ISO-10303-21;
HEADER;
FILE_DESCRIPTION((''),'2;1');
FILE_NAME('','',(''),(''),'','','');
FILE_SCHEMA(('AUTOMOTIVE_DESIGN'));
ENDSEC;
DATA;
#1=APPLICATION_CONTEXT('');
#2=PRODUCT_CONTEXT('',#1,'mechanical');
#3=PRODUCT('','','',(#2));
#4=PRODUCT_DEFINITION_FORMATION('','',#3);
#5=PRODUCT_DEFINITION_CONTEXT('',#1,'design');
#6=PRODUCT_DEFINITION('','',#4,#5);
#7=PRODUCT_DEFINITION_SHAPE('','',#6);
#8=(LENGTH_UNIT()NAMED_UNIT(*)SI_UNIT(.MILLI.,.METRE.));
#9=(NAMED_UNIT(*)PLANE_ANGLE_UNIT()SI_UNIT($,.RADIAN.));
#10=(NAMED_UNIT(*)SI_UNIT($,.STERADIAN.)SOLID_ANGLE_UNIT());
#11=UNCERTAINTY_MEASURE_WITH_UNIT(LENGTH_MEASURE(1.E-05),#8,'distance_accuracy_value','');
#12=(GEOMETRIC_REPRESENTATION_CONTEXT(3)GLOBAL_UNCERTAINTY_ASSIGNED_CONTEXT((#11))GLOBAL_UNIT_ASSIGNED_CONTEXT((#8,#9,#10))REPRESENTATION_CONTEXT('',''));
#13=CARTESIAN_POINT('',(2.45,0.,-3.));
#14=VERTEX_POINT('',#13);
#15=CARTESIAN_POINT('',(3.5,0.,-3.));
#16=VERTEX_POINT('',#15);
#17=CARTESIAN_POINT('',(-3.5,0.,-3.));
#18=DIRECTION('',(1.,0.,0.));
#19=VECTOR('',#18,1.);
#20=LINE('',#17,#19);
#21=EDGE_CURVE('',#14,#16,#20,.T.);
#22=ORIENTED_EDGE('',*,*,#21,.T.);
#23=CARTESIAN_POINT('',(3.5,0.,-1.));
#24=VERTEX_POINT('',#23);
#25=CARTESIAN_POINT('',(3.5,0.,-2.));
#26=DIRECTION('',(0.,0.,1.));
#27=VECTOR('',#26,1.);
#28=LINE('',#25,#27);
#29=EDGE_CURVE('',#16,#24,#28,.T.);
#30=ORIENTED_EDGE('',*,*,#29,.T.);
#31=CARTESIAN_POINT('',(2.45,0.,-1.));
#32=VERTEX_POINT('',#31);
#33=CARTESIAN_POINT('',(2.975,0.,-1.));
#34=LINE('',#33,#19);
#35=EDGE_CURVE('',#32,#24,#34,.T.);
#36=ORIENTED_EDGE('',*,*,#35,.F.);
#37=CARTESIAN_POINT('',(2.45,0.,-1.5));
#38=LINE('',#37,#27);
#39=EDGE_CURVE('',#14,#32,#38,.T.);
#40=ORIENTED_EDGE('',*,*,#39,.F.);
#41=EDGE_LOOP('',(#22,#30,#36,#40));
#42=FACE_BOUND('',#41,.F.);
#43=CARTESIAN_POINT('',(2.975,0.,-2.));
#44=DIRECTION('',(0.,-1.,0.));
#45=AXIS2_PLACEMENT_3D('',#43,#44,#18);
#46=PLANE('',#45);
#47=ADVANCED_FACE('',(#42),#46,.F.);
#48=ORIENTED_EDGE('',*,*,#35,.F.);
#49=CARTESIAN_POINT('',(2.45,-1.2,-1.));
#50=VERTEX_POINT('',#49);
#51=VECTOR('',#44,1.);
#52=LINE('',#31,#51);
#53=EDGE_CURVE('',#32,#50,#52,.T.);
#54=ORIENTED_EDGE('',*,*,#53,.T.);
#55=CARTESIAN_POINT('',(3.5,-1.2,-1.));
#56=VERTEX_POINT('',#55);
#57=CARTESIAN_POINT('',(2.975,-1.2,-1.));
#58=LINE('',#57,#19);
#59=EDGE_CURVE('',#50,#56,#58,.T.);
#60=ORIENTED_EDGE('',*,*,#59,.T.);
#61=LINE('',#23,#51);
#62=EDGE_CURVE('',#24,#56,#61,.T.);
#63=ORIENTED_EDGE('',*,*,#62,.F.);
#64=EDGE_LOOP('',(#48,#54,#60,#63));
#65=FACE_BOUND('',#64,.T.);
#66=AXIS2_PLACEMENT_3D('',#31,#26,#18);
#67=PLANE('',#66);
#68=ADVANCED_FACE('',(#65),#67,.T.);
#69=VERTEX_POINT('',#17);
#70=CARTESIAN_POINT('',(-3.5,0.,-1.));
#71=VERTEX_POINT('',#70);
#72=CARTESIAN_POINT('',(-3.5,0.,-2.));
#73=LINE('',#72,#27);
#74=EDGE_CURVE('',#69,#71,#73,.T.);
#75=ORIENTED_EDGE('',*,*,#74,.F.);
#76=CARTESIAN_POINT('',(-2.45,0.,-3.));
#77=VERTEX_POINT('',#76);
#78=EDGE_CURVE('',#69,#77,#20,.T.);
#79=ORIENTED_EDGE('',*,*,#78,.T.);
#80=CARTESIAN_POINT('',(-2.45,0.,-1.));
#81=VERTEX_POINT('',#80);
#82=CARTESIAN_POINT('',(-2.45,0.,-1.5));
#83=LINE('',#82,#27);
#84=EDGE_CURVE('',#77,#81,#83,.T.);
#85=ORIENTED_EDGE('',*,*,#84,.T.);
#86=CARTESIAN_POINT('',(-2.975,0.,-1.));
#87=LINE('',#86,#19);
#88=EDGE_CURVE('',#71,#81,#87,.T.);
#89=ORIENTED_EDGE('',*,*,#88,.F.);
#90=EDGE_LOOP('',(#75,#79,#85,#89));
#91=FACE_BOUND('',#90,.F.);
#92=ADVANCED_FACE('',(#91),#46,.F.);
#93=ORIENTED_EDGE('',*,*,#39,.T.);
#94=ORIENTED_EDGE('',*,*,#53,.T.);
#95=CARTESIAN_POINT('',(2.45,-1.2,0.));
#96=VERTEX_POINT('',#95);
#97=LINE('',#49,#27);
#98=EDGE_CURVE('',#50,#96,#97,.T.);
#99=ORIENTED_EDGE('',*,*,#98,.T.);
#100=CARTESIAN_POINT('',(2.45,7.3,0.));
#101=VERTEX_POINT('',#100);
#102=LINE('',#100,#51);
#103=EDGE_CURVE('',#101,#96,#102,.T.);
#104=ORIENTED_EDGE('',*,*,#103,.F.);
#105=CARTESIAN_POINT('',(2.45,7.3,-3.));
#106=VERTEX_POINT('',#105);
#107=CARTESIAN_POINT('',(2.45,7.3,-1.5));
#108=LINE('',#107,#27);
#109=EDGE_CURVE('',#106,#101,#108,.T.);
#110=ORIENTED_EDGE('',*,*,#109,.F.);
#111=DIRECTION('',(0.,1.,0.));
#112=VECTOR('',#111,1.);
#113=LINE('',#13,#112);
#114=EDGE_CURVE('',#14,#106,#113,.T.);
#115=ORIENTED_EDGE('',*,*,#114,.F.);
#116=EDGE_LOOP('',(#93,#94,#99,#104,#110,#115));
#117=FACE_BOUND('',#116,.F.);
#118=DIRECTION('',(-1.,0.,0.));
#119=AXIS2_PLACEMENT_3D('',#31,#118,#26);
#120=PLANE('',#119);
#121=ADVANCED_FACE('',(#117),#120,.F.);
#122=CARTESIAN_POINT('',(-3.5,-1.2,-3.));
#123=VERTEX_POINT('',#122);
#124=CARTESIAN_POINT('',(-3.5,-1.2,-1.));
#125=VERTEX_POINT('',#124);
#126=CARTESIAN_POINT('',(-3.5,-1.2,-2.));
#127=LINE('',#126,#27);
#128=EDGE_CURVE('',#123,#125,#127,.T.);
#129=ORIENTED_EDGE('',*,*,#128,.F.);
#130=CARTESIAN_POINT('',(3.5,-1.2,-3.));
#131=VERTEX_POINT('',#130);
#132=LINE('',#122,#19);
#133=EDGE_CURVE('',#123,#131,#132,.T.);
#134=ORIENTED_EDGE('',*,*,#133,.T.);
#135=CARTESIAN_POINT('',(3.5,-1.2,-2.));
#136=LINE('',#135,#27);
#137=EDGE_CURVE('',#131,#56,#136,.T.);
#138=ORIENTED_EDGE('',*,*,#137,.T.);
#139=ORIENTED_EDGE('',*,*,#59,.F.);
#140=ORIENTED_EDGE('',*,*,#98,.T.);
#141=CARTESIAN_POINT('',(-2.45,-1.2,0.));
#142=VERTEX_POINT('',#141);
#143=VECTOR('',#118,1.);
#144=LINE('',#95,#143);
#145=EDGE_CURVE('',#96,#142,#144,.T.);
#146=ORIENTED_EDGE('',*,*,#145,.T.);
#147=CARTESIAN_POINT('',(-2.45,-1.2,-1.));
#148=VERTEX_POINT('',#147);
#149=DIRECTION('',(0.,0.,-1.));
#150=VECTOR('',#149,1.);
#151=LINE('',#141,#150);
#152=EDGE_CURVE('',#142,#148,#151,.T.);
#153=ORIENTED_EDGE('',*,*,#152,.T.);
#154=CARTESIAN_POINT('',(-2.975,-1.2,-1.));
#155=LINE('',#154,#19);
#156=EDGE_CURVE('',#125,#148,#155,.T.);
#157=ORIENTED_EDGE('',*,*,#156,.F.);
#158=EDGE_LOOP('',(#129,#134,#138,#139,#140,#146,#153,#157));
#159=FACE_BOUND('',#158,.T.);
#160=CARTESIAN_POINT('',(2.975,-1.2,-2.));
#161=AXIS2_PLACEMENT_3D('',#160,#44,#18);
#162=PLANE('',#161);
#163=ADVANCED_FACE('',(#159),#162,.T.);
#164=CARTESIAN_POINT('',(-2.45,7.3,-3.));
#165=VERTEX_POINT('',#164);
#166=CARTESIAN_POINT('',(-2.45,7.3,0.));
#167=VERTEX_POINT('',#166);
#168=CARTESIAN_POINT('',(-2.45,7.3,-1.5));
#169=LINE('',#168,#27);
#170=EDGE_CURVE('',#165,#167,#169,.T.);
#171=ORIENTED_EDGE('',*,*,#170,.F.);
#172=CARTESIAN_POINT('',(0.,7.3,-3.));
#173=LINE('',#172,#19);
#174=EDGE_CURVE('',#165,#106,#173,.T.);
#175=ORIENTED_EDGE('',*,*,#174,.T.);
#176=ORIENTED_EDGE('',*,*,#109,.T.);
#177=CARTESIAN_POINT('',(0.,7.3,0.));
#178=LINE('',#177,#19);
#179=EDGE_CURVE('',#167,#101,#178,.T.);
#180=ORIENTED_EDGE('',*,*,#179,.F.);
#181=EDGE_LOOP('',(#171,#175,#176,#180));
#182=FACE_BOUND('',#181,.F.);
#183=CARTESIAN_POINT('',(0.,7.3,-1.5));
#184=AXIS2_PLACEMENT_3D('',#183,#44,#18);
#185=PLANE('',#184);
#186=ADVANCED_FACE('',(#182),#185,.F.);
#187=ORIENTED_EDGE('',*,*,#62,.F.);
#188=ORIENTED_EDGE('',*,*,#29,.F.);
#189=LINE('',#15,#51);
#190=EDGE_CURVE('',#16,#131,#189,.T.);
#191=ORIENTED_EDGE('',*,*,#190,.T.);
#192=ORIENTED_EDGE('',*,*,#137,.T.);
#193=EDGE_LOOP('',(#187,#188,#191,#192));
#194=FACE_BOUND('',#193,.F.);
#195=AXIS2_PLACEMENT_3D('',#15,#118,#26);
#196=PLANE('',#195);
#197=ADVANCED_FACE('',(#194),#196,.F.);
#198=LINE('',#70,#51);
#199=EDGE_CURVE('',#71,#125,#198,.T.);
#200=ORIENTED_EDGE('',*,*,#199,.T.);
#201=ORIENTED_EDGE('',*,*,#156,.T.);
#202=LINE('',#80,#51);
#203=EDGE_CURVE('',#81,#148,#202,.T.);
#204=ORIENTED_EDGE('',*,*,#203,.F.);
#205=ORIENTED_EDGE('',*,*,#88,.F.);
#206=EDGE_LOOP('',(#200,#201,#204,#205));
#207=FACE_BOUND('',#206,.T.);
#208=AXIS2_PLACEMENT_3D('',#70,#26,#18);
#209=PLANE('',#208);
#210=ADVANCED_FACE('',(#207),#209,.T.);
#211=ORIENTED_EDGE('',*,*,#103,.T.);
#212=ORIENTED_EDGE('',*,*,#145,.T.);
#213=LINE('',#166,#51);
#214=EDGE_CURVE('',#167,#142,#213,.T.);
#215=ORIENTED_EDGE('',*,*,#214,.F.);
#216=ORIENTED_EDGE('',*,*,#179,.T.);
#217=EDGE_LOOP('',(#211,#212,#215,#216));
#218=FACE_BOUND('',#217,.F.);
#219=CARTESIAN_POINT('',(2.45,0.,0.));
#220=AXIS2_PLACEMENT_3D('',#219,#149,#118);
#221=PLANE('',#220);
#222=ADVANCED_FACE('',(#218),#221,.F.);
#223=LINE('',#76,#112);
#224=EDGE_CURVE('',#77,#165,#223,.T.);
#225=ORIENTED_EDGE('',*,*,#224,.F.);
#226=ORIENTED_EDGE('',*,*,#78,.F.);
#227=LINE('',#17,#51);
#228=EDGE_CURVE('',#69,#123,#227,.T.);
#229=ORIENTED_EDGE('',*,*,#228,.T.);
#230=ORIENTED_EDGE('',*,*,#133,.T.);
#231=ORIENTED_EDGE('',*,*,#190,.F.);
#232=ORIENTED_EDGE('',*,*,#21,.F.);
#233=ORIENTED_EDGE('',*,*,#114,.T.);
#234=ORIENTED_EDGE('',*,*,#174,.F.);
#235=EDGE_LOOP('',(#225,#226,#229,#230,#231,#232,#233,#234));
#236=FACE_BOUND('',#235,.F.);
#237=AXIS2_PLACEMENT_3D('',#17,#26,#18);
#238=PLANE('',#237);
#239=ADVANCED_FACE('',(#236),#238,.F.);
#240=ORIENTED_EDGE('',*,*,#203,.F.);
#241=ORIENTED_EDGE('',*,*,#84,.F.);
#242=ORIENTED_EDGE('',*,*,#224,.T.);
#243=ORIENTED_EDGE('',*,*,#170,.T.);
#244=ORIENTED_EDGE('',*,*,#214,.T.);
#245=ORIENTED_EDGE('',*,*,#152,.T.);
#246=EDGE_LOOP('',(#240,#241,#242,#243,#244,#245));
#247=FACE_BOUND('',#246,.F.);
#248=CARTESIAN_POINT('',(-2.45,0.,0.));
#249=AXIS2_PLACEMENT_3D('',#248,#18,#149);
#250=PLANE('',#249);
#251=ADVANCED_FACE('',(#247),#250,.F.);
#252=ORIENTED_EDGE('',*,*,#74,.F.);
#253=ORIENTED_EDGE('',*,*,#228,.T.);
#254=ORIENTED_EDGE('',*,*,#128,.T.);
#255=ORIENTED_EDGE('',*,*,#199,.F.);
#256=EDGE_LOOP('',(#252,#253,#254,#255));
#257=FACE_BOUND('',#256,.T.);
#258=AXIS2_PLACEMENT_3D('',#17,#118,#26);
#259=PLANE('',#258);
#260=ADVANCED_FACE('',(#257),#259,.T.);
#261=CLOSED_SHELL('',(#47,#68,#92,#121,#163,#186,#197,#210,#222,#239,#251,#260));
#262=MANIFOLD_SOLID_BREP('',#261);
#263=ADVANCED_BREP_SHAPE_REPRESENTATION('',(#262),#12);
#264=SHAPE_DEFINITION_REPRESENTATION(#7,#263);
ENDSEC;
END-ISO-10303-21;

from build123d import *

# Parameters (mm, degrees)
F0_W     = 4.9
F0_H     = 3
F1_DEPTH = 7.3
F2_W     = 1.05
F2_H     = 2
F3_DEPTH = 1.2


with BuildPart() as f1:
    # F0 (on Front) → F1 (new body)
    with BuildSketch(Plane.XZ):
        with Locations((0, -1.5)):
            Rectangle(F0_W, F0_H)
    extrude(amount=-F1_DEPTH)

    # F2 (on face) → F3 (join)
    with BuildSketch(Plane.XZ):
        with Locations((2.975, -2)):
            Rectangle(F2_W, F2_H)
        Polygon((-2.45, 0), (-2.45, -1), (-2.45, -3), (2.45, -3), (2.45, -1), (2.45, 0), align=None)
        with Locations((-2.975, -2)):
            Rectangle(F2_W, F2_H)
    extrude(amount=F3_DEPTH)


solid = f1.part
